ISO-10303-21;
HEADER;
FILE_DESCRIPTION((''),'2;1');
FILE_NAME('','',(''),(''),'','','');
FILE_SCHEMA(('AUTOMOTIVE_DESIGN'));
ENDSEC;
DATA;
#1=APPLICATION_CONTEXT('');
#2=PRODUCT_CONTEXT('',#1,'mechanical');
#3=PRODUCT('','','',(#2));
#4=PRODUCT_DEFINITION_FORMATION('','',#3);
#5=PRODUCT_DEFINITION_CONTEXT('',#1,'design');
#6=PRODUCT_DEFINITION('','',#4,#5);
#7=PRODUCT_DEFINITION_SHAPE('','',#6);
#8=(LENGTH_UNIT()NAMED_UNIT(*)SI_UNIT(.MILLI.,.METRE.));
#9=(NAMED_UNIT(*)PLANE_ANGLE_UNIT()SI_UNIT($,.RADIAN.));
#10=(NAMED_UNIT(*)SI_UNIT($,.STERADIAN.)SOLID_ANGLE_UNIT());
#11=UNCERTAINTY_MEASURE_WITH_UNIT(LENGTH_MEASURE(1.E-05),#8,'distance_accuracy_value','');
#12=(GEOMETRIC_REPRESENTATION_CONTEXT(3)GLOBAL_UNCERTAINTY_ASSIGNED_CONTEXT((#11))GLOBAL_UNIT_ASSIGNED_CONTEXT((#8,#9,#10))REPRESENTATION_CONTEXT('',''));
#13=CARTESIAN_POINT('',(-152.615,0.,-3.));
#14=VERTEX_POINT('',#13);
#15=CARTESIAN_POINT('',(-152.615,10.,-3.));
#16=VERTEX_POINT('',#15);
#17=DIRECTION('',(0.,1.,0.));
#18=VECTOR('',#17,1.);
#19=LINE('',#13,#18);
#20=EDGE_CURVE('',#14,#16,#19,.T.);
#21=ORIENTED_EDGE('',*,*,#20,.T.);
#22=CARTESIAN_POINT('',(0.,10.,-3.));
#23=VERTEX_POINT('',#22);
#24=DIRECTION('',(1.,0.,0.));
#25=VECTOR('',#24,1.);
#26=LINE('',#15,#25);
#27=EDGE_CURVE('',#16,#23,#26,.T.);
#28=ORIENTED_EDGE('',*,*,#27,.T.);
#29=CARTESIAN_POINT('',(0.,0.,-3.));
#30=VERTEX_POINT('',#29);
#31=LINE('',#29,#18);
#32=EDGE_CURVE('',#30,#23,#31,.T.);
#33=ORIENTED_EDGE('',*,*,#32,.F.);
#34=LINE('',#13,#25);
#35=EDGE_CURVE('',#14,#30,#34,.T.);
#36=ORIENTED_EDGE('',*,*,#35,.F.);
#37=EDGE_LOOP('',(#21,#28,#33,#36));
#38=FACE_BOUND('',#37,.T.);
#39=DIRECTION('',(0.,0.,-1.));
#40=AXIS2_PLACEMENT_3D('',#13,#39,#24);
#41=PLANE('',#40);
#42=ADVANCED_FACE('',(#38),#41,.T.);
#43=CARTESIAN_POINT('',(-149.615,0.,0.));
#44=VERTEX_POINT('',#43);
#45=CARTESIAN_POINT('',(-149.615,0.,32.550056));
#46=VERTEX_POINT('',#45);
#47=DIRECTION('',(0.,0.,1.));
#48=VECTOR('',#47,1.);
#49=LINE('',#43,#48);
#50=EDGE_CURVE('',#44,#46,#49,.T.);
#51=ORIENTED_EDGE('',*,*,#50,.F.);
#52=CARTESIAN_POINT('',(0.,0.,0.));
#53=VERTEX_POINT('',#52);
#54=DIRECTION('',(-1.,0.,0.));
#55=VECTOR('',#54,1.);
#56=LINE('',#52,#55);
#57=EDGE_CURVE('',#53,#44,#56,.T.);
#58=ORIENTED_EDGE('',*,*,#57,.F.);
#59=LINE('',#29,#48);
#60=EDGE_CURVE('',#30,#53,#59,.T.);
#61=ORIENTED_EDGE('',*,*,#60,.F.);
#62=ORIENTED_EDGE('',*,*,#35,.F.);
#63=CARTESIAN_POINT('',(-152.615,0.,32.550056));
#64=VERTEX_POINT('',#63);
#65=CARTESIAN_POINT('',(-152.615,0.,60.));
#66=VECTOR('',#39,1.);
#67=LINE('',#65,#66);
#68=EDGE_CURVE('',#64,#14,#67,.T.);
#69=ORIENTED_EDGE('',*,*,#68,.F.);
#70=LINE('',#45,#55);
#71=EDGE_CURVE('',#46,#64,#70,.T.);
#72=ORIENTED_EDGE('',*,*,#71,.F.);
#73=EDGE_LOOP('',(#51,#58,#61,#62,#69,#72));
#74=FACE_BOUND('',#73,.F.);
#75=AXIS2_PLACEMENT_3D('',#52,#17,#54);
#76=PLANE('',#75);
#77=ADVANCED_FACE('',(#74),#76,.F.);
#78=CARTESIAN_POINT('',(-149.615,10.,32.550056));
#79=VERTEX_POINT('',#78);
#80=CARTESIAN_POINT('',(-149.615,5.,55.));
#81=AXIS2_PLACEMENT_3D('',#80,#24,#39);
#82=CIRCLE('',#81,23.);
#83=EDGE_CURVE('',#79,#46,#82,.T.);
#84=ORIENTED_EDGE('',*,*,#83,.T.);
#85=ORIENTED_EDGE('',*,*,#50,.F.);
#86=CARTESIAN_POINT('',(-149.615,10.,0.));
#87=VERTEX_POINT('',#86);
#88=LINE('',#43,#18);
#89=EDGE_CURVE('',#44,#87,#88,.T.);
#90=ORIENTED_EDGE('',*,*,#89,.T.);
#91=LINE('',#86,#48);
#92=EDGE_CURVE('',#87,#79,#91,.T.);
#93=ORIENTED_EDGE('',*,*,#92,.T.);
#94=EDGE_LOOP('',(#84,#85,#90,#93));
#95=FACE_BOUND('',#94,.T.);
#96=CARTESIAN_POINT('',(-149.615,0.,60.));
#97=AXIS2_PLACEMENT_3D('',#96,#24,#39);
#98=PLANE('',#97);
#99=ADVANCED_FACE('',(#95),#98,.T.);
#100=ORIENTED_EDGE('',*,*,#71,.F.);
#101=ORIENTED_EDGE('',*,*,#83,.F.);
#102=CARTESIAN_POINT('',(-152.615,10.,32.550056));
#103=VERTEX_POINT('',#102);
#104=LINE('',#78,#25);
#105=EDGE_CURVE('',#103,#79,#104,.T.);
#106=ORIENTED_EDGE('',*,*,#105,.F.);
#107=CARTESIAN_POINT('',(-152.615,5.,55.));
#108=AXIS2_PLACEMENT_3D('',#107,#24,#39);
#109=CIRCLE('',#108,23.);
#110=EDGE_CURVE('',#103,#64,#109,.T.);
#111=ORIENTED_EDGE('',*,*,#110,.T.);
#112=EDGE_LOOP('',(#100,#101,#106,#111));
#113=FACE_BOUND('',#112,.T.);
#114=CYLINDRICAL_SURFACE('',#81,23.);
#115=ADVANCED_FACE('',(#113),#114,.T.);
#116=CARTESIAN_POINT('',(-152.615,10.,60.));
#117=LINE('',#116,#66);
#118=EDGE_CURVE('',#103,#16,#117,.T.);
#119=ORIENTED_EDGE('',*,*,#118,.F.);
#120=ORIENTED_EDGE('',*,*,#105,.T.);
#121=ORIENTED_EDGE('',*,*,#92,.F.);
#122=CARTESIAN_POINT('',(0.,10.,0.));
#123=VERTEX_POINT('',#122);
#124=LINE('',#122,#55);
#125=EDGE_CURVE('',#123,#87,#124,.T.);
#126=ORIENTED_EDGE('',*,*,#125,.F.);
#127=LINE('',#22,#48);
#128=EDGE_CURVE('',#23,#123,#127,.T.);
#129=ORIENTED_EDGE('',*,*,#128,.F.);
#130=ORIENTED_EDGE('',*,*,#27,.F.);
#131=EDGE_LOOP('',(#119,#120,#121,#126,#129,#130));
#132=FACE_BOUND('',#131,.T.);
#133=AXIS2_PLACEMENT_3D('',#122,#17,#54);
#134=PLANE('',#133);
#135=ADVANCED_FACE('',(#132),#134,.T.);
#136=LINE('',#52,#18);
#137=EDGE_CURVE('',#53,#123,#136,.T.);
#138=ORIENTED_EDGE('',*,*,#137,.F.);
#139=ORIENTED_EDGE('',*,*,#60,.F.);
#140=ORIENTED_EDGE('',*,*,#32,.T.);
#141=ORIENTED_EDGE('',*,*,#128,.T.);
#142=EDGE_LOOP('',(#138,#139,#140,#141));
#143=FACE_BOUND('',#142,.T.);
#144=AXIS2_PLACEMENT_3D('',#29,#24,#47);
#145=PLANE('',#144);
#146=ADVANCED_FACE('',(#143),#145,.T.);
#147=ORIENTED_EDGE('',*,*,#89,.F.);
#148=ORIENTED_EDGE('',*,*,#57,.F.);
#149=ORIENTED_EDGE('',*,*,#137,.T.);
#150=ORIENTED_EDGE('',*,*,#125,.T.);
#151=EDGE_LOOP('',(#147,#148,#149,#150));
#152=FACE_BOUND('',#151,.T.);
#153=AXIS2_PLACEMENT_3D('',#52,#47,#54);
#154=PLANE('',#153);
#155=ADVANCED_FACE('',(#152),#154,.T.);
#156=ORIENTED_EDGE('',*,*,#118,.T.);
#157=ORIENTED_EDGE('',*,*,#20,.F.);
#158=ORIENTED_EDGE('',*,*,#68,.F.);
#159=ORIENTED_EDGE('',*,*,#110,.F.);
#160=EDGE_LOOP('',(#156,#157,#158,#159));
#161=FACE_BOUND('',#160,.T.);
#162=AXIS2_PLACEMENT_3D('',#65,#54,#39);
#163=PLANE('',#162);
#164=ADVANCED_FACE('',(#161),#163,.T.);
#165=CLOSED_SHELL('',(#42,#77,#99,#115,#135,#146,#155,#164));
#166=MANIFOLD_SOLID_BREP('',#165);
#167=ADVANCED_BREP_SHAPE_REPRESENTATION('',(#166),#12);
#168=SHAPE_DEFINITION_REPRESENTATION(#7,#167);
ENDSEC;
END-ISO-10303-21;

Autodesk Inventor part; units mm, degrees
ref_plane "YZ Plane" through (0, 0, 0) normal (1, 0, 0) x (0, 1, 0)
ref_plane "XZ Plane" through (0, 0, 0) normal (0, 1, 0) x (-1, 0, 0)
ref_plane "XY Plane" through (0, 0, 0) normal (0, 0, 1) x (1, 0, 0)
sketch "Эскиз5" plane through (0, 0, 0) normal (0, 1, 0) x (-1, 0, 0)
  line L0 (152.615, 60) -> (152.615, -3)
  line L1 (152.615, -3) -> (0, -3)
  line L2 (0, -3) -> (0, 0)
  line L3 (0, 0) -> (149.615, 0)
  line L4 (149.615, 0) -> (149.615, 60)
  line L5 (149.615, 60) -> (152.615, 60)
  dimension "d40" = 149.615
  dimension "d41" = 3
  dimension "d42" = 60
extrude "Выдавливание2" add sketch "Эскиз5" along normal blind 10
sketch "Эскиз6" plane through (-149.615, 0, 60) normal (1, 0, 0) x (0, 0, -1)
  line L0 (63, 0) -> (0, 0) projected
  line L1 (0, 10) -> (10, 10) construction
  line L2 (10, 10) -> (10, 0) construction
  line L3 (10, 0) -> (0, 0) construction
  line L4 (0, 0) -> (0, 10) construction
  line L5 (0, 10) -> (10, 0) construction
  line L6 (10, 10) -> (0, 0) construction
  circle A0 centre (5, 5) radius 23
  point P0 (60, 0)
  dimension "d45" = 46
extrude "Выдавливание3" add sketch "Эскиз6" against normal blind 3
properties part number "Mirror_ыефтв" material "Сталь, мягкая"
